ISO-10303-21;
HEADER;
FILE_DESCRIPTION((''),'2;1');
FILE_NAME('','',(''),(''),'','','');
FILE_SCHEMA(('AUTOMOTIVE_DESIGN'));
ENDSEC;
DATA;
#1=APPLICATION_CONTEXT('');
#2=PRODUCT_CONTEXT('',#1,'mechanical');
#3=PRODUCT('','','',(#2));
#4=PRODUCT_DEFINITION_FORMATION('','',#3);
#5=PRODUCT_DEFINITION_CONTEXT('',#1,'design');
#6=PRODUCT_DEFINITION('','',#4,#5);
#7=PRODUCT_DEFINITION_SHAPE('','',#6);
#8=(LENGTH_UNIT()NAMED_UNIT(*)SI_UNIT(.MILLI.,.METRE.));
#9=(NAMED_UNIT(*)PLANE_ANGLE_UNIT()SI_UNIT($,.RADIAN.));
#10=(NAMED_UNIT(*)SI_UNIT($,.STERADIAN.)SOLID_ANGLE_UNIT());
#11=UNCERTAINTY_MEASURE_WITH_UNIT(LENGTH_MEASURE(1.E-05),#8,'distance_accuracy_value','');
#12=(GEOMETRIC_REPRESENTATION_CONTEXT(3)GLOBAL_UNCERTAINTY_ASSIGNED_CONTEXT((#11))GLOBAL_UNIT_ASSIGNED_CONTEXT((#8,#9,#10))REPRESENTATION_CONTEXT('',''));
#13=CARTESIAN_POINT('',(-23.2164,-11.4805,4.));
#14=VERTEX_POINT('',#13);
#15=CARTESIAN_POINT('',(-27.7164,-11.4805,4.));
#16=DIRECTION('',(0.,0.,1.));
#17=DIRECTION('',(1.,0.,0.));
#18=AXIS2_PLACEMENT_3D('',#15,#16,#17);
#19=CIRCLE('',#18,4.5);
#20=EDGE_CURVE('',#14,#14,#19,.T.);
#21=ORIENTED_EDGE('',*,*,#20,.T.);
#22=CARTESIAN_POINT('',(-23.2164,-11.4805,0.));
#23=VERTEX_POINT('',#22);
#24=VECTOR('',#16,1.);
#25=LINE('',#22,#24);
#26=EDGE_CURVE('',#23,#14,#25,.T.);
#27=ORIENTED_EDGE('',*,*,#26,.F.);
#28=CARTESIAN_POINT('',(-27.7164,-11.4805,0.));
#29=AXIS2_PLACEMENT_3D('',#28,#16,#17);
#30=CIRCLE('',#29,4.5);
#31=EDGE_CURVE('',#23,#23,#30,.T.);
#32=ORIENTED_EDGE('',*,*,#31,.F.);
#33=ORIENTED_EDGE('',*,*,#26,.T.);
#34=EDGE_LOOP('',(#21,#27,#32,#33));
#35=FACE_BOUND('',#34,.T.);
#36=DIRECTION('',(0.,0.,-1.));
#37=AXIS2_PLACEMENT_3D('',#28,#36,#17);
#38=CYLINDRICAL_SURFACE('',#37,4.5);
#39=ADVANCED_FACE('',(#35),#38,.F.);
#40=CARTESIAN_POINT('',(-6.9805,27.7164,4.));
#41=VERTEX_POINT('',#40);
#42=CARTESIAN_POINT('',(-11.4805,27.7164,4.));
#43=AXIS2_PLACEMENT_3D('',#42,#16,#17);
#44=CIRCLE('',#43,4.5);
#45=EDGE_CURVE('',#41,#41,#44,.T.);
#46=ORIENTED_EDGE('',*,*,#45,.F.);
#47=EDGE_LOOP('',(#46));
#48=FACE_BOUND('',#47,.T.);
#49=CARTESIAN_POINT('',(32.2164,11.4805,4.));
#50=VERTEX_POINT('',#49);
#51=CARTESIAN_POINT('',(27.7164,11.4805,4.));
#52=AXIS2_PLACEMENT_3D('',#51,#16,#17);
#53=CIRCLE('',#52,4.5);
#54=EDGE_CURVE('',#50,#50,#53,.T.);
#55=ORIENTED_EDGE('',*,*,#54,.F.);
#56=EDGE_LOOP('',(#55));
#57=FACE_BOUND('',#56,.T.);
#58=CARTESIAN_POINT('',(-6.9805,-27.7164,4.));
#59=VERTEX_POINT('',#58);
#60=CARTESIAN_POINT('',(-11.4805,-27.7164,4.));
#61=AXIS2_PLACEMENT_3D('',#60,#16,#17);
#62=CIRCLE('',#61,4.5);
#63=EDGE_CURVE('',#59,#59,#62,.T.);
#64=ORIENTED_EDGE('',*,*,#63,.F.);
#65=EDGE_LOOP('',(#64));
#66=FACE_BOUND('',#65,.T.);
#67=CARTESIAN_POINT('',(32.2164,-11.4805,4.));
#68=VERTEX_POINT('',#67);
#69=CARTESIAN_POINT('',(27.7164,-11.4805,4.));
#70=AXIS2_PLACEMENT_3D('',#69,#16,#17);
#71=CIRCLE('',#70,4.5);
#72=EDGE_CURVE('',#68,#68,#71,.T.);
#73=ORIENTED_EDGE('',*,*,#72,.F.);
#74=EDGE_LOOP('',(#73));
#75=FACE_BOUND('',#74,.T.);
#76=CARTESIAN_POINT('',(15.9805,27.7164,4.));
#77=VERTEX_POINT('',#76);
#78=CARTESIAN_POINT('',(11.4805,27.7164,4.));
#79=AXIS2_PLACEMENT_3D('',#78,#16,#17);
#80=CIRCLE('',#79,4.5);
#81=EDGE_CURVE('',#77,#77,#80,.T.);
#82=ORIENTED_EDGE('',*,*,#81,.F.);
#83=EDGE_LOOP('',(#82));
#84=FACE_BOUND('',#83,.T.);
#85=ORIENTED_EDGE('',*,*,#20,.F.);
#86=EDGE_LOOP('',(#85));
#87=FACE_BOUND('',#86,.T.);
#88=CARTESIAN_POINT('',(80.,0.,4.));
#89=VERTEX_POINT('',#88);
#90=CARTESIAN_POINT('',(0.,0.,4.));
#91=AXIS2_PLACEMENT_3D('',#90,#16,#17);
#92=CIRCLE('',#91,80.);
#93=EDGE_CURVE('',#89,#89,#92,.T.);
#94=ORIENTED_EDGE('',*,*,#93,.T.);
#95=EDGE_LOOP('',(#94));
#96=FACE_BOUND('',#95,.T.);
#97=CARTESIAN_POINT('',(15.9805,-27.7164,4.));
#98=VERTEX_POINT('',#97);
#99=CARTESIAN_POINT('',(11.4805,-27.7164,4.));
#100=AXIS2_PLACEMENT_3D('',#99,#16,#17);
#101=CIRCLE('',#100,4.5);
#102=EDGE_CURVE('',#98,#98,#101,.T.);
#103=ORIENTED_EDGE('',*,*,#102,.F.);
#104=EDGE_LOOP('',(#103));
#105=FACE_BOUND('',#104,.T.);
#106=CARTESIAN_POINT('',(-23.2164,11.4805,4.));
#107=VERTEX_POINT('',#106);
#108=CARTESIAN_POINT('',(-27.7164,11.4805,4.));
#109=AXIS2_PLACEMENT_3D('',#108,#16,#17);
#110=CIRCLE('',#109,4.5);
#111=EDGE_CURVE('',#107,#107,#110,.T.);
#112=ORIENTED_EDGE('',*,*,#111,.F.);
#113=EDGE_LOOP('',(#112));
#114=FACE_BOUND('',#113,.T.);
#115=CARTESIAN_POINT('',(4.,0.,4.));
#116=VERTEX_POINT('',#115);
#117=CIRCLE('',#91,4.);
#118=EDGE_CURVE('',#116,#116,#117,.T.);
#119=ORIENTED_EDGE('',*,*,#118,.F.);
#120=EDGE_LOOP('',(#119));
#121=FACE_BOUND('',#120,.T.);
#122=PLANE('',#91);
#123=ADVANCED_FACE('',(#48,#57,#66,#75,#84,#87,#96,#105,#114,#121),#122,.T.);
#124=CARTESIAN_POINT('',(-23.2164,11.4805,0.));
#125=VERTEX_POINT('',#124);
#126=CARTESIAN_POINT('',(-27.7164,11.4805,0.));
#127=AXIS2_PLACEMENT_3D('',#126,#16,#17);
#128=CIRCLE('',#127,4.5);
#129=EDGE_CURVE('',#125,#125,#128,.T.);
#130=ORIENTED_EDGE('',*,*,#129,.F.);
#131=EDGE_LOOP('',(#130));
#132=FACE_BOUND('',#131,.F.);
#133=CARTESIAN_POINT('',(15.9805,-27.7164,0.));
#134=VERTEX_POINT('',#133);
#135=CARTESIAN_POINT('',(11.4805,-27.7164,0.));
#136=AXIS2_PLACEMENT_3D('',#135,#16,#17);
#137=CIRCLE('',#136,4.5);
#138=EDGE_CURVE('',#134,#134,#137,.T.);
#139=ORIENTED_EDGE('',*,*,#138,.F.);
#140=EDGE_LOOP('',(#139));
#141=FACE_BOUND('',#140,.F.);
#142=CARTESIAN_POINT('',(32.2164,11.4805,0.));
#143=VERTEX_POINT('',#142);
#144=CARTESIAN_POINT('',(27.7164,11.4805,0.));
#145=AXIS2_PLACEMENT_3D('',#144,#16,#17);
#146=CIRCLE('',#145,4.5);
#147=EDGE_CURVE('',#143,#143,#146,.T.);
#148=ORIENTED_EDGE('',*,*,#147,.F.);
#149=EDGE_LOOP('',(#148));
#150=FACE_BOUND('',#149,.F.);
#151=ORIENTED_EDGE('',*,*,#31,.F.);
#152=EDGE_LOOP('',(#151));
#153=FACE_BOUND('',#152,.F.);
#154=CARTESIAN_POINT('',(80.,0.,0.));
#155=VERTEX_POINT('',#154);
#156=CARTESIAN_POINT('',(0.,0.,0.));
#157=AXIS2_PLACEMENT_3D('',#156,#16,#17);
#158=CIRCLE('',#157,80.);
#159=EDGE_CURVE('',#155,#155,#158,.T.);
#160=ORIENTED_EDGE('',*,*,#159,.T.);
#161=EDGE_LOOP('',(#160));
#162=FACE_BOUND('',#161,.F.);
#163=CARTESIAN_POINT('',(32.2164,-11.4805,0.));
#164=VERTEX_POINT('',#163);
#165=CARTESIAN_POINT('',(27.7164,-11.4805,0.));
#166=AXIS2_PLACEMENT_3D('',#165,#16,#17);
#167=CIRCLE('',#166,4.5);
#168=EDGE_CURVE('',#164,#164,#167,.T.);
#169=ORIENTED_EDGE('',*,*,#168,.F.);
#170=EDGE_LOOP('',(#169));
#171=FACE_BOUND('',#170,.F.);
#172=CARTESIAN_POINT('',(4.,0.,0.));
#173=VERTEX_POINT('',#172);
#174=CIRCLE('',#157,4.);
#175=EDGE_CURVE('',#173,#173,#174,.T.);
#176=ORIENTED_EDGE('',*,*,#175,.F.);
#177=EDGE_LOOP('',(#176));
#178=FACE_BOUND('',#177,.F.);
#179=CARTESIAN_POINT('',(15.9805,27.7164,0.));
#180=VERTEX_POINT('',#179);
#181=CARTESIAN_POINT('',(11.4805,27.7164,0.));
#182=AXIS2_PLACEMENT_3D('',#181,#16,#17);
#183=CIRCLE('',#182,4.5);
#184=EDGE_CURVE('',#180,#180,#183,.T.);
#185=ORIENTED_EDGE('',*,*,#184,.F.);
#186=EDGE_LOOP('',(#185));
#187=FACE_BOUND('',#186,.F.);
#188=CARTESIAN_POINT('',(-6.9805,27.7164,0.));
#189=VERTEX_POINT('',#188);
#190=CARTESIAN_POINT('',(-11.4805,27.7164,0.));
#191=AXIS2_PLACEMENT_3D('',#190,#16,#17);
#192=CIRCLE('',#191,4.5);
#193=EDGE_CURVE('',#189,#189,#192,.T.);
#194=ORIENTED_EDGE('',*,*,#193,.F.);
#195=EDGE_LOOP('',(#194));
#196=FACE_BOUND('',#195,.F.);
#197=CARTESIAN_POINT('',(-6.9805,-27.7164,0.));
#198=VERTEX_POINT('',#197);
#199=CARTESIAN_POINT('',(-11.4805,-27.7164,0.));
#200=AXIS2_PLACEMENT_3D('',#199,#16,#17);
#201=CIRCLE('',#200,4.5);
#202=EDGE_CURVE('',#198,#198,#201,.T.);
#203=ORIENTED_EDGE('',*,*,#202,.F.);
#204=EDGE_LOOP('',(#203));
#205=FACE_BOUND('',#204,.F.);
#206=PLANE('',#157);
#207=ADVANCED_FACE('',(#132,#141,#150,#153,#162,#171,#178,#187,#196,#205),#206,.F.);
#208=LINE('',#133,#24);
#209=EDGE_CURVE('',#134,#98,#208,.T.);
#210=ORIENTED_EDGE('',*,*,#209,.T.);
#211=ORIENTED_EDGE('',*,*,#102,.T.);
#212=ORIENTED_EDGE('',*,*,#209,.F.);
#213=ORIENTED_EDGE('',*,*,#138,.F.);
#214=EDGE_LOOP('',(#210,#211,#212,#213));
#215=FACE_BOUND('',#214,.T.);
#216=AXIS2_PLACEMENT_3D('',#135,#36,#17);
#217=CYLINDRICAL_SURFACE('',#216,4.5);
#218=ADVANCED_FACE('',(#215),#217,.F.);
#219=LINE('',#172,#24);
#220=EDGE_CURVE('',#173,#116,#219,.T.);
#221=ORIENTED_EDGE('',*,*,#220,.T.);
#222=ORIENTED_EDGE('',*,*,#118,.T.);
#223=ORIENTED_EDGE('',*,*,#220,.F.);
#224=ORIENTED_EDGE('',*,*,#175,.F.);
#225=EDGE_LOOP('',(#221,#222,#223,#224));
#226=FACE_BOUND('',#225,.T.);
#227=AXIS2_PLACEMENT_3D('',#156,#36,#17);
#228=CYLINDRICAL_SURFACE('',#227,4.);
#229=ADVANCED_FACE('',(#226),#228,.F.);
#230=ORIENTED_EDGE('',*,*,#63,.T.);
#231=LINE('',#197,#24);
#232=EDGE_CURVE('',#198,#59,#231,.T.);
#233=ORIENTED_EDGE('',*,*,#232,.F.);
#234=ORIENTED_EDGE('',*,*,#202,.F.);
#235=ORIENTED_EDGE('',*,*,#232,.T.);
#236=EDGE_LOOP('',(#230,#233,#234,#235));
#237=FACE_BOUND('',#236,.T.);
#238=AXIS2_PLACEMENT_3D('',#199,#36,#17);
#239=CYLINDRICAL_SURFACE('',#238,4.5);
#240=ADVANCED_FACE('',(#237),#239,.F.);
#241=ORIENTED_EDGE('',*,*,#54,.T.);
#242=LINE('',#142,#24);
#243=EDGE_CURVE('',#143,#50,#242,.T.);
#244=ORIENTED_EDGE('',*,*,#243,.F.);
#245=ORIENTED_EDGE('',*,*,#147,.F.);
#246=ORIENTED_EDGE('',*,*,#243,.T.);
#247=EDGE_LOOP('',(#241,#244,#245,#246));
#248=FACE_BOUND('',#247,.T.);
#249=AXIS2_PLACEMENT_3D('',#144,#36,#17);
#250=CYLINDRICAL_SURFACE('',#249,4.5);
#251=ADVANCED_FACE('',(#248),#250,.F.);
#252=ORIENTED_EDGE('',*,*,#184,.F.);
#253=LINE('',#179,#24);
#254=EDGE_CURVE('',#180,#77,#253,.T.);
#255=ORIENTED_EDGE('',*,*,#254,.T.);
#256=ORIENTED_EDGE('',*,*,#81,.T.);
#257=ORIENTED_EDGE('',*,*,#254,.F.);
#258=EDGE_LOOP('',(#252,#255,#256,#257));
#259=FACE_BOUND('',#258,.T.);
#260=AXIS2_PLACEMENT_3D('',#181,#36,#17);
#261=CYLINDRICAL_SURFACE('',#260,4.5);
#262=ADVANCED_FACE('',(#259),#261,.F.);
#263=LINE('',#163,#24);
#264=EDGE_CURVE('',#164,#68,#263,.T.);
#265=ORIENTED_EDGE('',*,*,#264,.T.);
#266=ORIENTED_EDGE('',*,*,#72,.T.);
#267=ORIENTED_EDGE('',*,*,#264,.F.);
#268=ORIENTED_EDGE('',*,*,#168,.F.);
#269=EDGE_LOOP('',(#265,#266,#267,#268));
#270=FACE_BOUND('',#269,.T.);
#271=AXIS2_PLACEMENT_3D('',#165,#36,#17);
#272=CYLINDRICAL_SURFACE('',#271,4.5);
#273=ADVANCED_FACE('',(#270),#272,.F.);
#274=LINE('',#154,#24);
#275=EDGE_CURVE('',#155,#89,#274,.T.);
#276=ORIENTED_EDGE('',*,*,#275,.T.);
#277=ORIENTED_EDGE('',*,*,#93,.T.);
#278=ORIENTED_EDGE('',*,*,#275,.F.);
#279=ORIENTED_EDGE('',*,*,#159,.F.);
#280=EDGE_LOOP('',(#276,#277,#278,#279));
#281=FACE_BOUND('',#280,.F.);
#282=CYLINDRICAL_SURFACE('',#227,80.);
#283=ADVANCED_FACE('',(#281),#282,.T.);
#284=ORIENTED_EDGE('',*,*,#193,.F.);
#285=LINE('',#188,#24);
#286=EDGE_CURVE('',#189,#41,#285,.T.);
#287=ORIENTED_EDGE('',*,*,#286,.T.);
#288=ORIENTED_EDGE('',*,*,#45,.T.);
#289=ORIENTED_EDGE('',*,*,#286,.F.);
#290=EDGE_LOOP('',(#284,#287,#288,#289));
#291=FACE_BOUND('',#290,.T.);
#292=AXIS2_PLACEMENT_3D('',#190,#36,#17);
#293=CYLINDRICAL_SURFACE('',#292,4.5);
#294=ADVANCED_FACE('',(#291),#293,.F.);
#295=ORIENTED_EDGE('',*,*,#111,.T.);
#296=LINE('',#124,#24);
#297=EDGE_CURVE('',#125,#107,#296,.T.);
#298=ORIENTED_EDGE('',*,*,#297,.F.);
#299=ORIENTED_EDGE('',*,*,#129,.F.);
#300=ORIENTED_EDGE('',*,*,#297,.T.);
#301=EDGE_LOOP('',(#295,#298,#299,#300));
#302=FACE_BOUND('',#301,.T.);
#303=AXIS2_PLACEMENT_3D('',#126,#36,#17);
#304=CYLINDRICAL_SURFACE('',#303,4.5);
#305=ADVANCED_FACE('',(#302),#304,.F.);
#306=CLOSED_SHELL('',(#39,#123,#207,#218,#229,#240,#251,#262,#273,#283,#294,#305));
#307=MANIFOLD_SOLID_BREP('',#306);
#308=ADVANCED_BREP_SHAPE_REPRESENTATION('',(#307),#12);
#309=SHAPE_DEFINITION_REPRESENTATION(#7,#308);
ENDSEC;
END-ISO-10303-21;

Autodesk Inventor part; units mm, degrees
ref_plane "YZ Plane" through (0, 0, 0) normal (1, 0, 0) x (0, 1, 0)
ref_plane "XZ Plane" through (0, 0, 0) normal (0, 1, 0) x (-1, 0, 0)
ref_plane "XY Plane" through (0, 0, 0) normal (0, 0, 1) x (1, 0, 0)
sketch "Эскиз1" plane through (0, 0, 0) normal (0, 0, 1) x (1, 0, 0)
  circle A0 centre (0, 0) radius 80 construction
  line L0 (76.2037, -11.1446) -> (61.4099, -21.4721) construction
  arc A1 (60.0176, -21.2246) -> (61.4099, -21.4721) centre (60.8375, -20.6521) ccw construction
  line L1 (60.0176, -21.2246) -> (37.9915, 10.3271) construction
  arc A2 (38.239, 11.7194) -> (37.9915, 10.3271) centre (38.8115, 10.8995) ccw construction
  line L2 (38.239, 11.7194) -> (53.0328, 22.0469) construction
  arc A3 (54.4252, 21.7994) -> (53.0328, 22.0469) centre (53.6052, 21.227) ccw construction
  line L3 (54.4252, 21.7994) -> (76.4513, -9.7522) construction
  arc A4 (76.2037, -11.1446) -> (76.4513, -9.7522) centre (75.6313, -10.3247) ccw construction
  circle A5 centre (0, 0) radius 80
  circle A6 centre (0, 0) radius 4 projected
  circle A7 centre (-27.7164, -11.4805) radius 4.5 projected
  circle A8 centre (27.7164, 11.4805) radius 4.5 projected
  circle A9 centre (-11.4805, 27.7164) radius 4.5 projected
  circle A10 centre (11.4805, -27.7164) radius 4.5 projected
  circle A11 centre (-11.4805, -27.7164) radius 4.5 projected
  circle A12 centre (-27.7164, 11.4805) radius 4.5 projected
  circle A13 centre (11.4805, 27.7164) radius 4.5 projected
  circle A14 centre (27.7164, -11.4805) radius 4.5 projected
  point P0 (0, 0)
extrude "Выдавливание1" add sketch "Эскиз1" along normal blind 4
properties part number "лицо"
